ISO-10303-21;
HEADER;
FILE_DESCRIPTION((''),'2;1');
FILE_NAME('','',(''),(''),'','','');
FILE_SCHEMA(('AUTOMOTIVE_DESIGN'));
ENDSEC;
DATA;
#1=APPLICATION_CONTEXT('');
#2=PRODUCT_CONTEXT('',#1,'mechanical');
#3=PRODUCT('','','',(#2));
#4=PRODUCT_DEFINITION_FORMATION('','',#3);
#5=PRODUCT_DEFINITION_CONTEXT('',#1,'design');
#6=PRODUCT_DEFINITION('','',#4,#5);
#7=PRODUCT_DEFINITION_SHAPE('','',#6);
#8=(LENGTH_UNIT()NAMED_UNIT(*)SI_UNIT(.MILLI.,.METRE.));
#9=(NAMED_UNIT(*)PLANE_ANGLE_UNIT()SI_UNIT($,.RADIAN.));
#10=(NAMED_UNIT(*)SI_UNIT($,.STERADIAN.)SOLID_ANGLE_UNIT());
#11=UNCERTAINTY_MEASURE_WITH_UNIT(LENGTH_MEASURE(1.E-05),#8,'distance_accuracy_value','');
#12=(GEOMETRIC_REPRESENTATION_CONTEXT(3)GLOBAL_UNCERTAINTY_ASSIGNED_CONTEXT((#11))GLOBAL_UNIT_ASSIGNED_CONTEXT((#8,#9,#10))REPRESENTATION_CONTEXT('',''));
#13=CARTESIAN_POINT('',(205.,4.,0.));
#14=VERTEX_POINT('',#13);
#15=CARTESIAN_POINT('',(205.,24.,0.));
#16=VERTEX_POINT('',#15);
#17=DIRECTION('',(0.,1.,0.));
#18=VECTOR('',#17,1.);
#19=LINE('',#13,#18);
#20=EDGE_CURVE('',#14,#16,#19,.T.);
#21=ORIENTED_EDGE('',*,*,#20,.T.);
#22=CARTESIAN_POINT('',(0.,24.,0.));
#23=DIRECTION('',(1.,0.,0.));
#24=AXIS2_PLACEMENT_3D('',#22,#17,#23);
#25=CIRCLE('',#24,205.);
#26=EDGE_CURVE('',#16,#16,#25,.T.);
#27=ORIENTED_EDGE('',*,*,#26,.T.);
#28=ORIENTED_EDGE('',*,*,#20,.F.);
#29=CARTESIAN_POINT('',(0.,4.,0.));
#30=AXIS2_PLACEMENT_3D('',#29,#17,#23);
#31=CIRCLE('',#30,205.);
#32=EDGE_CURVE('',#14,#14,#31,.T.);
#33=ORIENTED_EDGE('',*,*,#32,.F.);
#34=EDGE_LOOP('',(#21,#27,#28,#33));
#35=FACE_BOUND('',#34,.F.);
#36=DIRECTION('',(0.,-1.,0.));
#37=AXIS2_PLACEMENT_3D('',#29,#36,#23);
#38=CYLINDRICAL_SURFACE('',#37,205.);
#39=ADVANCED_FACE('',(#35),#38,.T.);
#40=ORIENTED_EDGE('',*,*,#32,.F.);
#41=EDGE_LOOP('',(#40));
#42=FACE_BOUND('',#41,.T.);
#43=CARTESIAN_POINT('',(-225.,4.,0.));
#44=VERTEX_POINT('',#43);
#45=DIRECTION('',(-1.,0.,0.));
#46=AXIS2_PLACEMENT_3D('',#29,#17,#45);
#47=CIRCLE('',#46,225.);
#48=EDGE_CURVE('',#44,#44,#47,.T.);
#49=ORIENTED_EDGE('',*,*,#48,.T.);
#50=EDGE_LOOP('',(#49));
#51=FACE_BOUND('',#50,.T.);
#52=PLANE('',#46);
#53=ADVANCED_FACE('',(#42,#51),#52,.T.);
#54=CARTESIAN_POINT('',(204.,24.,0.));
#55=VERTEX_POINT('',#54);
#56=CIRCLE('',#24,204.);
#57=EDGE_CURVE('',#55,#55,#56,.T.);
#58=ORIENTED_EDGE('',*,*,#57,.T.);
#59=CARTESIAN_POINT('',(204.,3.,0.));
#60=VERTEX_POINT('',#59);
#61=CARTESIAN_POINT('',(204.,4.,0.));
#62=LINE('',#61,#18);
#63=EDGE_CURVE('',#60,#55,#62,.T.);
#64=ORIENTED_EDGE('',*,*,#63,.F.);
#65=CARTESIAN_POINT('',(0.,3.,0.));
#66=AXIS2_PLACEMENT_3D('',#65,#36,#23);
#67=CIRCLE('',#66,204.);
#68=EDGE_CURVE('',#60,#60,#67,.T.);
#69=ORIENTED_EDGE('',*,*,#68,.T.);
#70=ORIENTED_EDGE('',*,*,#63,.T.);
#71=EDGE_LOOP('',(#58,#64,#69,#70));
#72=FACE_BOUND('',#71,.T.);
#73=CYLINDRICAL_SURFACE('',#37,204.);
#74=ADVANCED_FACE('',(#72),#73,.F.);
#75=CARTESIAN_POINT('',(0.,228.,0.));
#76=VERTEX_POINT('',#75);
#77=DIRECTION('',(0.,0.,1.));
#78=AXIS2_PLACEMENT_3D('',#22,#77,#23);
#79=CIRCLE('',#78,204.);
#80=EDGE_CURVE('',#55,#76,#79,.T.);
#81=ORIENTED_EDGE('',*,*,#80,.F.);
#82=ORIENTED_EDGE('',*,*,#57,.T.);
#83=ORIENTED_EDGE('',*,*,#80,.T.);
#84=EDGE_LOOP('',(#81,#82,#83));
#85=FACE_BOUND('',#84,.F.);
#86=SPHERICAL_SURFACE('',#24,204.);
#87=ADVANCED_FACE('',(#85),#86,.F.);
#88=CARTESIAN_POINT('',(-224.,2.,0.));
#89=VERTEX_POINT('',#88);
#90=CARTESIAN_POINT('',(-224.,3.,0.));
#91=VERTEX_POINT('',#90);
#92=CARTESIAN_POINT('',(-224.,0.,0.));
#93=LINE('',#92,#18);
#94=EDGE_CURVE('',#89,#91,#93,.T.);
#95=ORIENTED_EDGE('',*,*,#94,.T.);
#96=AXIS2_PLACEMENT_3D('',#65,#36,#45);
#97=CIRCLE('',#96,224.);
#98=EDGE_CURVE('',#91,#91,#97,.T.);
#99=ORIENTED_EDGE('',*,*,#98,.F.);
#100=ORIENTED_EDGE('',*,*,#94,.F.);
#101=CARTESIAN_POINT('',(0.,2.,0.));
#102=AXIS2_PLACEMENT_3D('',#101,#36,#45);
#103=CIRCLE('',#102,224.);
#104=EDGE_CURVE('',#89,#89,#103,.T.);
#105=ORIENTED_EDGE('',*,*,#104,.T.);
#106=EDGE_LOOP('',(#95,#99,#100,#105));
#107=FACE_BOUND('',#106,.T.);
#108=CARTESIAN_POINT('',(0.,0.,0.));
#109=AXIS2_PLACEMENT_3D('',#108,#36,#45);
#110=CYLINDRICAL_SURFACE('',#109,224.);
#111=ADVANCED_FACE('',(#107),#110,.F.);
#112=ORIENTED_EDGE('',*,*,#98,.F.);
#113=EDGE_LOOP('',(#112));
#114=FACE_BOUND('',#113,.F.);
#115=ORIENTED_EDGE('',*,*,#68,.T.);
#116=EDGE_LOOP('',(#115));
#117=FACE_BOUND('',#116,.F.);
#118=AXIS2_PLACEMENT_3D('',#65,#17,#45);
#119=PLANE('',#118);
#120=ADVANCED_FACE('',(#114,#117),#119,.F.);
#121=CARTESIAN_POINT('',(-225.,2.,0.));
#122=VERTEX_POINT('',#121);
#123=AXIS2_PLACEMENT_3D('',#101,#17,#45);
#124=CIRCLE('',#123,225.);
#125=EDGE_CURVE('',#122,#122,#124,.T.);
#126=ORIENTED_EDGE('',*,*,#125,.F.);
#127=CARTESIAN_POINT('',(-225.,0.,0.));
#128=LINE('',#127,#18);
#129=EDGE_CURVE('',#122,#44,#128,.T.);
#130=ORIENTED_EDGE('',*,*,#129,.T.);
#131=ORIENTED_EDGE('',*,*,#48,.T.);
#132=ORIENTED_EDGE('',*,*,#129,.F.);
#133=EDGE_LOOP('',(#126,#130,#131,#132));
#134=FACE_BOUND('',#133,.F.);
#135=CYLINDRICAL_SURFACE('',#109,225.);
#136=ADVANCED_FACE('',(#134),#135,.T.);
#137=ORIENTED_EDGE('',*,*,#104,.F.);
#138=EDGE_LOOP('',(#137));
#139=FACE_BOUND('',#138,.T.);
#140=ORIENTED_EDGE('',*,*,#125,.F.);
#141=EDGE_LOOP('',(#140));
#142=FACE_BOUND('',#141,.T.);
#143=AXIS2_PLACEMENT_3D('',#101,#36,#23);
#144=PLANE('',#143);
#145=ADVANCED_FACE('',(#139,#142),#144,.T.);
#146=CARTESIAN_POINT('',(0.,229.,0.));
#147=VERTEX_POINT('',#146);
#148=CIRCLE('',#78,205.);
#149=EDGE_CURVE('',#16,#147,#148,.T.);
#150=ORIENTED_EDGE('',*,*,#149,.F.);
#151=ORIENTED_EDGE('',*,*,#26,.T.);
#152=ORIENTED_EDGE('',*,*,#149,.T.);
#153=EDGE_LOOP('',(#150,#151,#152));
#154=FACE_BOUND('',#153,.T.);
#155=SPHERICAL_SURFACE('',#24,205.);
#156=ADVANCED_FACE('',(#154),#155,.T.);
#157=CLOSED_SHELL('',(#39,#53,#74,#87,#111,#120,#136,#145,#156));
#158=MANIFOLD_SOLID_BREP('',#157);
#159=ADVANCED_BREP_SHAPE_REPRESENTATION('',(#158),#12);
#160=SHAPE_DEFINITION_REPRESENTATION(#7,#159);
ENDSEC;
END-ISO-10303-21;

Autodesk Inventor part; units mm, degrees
ref_plane "YZ Plane" through (0, 0, 0) normal (1, 0, 0) x (0, 1, 0)
ref_plane "XZ Plane" through (0, 0, 0) normal (0, 1, 0) x (-1, 0, 0)
ref_plane "XY Plane" through (0, 0, 0) normal (0, 0, 1) x (1, 0, 0)
sketch "Sketch1" plane through (0, 0, 0) normal (0, 1, 0) x (-1, 0, 0)
  circle A0 centre (0, 0) radius 225
  dimension "d0" = 450
extrude "Extrusion1" add sketch "Sketch1" along normal blind 4
sketch "Sketch2" plane through (0, 4, 0) normal (0, 1, 0) x (1, 0, 0)
  circle A0 centre (0, 0) radius 205
  dimension "d3" = 410
extrude "Extrusion2" add sketch "Sketch2" along normal blind 225
sketch "Sketch3" plane through (0, 0, 0) normal (0, -1, 0) x (1, 0, 0)
  circle A0 centre (0, 0) radius 225
  dimension "d7" = 450
extrude "Extrusion3" cut sketch "Sketch3" against normal blind 2
fillet "Fillet2" radius 205 1 edges at (-205, 229, 0)
shell "Shell3" thickness 1 removed faces 1 at (5.0301, 2, -73.6911)
properties part number "450mmdome" material "Polycarbonate, Clear"
